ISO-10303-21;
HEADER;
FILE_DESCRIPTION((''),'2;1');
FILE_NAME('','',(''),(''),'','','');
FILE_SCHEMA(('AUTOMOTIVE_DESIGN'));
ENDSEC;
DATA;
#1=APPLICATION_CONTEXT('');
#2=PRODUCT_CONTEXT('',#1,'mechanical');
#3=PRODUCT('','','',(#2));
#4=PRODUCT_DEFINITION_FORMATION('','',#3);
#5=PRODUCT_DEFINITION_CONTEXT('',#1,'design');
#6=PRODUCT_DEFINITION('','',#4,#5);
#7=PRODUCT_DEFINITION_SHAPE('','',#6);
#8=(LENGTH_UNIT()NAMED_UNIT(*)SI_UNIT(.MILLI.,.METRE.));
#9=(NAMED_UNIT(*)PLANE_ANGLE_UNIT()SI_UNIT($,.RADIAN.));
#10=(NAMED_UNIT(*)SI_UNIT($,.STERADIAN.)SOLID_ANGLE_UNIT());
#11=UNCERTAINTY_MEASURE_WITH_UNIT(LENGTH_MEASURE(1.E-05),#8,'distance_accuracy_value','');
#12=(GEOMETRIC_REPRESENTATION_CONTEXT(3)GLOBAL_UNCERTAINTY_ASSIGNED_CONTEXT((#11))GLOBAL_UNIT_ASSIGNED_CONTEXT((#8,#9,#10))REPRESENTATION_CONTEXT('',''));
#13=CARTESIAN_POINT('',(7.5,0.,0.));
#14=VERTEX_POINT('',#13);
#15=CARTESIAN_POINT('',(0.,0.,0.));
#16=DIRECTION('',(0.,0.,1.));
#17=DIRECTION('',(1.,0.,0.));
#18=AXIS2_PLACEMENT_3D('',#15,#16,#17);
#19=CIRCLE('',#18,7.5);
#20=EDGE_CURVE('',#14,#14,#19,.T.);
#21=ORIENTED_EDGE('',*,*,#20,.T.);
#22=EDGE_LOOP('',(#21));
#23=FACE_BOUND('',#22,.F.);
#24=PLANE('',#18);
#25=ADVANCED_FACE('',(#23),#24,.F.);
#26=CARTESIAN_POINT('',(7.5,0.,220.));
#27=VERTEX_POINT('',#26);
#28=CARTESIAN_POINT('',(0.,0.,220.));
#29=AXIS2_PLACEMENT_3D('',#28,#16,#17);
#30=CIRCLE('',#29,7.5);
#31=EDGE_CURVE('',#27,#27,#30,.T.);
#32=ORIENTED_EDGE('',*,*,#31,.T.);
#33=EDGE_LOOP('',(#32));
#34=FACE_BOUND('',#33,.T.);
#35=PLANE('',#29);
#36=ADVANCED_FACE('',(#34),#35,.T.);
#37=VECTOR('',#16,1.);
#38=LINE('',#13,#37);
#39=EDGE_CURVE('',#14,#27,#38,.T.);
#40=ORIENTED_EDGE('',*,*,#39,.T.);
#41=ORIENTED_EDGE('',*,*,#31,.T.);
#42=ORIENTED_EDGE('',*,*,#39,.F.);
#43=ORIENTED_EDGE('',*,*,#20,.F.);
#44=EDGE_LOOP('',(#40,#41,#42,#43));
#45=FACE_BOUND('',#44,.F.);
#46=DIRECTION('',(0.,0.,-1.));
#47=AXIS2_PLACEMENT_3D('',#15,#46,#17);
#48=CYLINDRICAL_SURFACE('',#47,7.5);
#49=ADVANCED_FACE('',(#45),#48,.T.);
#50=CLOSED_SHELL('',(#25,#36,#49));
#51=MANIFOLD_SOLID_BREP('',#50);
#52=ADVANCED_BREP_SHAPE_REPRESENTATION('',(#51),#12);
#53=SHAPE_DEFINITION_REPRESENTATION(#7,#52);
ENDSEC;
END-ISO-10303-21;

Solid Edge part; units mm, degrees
sketch "Sketch1" plane through (0, 0, 0) normal (0, 0, 1) x (1, 0, 0)
  circle A0 centre (0, 0) radius 7.5
extrude "Protrusion1" add sketch "Sketch1" along normal blind 220
properties part number "BumbleB0447"
